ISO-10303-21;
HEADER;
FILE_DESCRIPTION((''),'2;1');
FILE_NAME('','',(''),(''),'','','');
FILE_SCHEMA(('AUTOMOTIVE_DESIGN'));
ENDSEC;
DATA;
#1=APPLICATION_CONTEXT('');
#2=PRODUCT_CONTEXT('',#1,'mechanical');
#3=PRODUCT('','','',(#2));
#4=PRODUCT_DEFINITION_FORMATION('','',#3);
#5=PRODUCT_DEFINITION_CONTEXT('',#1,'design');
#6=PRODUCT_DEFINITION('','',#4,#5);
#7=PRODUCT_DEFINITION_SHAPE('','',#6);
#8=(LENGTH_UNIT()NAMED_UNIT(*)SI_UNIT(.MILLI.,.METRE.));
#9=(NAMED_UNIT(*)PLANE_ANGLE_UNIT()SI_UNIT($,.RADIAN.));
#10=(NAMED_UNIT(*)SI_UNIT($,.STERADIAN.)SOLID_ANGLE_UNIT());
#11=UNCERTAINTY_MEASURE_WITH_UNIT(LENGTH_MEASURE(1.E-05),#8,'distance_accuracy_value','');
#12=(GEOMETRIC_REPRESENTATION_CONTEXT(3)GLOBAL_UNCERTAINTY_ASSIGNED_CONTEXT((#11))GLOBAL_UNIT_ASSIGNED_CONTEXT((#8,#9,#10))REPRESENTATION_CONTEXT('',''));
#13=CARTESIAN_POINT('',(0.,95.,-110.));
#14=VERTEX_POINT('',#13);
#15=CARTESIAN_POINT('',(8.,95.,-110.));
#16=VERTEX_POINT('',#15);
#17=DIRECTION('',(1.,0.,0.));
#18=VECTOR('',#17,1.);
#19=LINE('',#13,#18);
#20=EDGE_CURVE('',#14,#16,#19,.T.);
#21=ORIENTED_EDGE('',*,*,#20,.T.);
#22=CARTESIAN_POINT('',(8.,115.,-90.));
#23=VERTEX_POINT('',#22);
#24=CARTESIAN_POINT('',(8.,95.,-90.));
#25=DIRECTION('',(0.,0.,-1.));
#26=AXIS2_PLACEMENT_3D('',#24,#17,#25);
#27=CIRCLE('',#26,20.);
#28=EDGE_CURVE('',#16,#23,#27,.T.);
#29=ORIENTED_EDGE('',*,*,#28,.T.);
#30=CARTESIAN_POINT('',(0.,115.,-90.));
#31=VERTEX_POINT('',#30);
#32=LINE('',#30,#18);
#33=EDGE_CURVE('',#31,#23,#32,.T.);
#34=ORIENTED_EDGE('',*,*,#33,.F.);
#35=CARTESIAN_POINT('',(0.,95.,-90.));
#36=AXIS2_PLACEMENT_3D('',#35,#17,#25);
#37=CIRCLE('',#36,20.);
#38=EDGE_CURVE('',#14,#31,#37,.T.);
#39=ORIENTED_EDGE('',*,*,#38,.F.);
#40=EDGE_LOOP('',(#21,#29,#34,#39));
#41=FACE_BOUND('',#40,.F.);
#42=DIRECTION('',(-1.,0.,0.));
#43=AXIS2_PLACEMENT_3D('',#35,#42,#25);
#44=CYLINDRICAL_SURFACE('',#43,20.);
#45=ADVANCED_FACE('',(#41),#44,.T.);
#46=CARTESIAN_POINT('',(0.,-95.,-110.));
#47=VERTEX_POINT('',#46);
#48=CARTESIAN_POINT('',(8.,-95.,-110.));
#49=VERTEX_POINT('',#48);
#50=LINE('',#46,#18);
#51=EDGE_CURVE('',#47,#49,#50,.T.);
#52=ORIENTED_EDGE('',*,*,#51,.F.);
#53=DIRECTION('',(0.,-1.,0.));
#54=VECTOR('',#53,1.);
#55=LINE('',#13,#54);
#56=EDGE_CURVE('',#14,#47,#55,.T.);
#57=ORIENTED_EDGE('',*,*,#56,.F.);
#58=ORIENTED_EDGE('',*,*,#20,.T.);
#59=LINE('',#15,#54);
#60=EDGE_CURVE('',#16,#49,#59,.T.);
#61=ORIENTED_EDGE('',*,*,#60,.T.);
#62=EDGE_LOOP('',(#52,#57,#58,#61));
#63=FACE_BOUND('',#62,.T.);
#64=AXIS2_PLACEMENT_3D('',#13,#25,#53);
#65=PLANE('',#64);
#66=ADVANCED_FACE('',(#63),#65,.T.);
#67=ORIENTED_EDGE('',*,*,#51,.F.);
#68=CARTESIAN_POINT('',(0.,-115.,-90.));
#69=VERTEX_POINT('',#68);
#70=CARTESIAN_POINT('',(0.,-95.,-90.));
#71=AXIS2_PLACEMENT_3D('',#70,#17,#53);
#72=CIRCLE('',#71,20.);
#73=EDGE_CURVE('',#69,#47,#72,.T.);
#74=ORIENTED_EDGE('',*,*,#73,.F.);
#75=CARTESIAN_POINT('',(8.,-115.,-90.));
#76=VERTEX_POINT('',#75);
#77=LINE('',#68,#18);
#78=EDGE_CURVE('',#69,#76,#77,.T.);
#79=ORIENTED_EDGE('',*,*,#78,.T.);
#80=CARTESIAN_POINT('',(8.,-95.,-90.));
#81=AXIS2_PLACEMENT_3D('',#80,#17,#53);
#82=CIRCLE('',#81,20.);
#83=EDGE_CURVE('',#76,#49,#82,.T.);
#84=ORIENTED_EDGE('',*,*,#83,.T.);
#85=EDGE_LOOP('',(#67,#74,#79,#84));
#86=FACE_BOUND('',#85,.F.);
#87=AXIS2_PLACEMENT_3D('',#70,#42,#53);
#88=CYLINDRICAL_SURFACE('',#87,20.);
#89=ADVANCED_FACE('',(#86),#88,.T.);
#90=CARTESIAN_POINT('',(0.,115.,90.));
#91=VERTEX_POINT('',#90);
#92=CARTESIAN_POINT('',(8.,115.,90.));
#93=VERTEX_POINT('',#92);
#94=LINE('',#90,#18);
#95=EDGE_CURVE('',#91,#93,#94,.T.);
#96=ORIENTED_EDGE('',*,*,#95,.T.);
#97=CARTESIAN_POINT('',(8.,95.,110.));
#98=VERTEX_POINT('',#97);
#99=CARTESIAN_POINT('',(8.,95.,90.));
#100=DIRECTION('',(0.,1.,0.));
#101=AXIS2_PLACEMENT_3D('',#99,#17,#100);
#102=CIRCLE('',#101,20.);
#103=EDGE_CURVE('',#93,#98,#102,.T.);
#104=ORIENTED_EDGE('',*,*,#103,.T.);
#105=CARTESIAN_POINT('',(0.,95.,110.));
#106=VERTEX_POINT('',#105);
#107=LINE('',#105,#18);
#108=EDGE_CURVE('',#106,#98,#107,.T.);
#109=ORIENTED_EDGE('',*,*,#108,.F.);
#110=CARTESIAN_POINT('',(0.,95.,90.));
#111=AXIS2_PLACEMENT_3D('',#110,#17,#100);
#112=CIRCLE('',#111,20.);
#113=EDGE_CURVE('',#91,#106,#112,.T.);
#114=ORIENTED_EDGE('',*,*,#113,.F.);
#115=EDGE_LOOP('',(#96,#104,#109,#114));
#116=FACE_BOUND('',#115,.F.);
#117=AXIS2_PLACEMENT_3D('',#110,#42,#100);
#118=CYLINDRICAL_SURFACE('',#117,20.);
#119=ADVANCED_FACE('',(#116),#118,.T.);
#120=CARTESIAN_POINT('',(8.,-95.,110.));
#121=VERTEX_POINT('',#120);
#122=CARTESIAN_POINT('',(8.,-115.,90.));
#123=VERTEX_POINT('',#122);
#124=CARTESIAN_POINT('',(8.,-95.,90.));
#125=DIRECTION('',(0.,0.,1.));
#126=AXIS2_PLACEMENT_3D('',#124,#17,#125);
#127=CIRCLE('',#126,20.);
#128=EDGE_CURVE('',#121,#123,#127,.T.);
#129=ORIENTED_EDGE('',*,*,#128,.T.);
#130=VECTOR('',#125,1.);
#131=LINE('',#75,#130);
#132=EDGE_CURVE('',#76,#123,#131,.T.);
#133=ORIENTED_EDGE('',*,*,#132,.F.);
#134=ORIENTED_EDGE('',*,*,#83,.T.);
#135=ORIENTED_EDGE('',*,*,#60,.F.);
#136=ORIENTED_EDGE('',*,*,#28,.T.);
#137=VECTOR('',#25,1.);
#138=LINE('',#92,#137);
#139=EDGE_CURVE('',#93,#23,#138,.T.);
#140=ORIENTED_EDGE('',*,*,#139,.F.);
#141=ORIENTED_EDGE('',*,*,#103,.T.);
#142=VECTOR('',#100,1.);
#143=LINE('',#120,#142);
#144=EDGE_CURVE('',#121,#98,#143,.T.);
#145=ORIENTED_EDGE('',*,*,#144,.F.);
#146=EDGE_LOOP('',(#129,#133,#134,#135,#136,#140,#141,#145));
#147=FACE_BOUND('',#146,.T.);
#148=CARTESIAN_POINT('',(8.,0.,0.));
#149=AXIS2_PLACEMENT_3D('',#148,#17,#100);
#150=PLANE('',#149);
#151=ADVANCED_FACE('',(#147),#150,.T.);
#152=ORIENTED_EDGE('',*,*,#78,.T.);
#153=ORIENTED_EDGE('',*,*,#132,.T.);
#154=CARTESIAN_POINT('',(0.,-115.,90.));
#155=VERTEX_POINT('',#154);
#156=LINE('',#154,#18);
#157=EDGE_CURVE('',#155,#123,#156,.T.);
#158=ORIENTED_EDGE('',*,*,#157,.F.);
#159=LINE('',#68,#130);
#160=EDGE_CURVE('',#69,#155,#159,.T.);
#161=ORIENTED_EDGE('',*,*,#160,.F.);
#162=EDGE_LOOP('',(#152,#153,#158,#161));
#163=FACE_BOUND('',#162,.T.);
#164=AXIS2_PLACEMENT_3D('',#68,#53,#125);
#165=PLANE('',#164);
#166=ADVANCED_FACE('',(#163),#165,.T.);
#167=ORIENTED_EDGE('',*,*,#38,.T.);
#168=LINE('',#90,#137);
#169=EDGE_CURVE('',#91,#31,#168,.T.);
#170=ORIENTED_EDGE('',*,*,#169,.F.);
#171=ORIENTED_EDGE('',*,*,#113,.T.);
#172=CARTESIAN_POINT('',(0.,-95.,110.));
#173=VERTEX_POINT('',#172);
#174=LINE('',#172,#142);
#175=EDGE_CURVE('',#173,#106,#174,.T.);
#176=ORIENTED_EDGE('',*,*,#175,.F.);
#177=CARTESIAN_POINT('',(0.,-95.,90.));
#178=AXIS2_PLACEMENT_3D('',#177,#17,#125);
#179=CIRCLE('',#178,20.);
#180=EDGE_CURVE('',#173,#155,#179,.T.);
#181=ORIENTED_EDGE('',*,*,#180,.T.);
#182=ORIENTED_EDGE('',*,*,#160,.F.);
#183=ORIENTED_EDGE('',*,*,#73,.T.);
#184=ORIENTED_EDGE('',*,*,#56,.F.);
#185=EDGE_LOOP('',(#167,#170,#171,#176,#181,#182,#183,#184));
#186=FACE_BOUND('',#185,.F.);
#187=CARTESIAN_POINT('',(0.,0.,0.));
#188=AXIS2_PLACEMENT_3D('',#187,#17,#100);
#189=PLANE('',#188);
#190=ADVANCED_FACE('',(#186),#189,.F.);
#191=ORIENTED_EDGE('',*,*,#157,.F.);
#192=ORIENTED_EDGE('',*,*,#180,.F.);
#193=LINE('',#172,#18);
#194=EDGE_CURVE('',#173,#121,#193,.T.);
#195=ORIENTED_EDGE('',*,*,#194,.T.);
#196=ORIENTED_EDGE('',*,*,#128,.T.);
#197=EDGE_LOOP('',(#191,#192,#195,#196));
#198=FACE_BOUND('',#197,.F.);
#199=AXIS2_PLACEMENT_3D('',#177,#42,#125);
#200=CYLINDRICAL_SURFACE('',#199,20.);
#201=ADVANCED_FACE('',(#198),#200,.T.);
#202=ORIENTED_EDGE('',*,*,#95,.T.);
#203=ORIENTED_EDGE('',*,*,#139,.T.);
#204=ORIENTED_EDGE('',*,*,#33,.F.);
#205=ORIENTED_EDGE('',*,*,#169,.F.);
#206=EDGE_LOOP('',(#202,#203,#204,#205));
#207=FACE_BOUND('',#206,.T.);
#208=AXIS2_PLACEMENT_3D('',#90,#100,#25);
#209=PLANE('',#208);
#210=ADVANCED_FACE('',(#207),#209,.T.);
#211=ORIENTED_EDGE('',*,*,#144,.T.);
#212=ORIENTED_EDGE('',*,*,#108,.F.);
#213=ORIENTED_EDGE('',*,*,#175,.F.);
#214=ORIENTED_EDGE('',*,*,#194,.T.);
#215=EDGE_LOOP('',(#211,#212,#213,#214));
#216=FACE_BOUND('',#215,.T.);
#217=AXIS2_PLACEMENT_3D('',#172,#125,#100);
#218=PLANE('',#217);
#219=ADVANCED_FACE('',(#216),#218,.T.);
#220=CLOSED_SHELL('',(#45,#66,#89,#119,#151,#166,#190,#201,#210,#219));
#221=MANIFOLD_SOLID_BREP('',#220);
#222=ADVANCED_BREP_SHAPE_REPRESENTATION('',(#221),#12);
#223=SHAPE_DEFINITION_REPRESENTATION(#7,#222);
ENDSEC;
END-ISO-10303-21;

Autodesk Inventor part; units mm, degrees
ref_plane "YZ Plane" through (0, 0, 0) normal (1, 0, 0) x (0, 1, 0)
ref_plane "XZ Plane" through (0, 0, 0) normal (0, 1, 0) x (-1, 0, 0)
ref_plane "XY Plane" through (0, 0, 0) normal (0, 0, 1) x (1, 0, 0)
sketch "Sketch1" plane through (0, 0, 0) normal (1, 0, 0) x (0, 1, 0)
  line L0 (-95, 110) -> (95, 110)
  line L1 (115, 90) -> (115, -90)
  line L2 (95, -110) -> (-95, -110)
  line L3 (-115, -90) -> (-115, 90)
  line L4 (-115, 110) -> (115, -110) construction
  line L5 (115, 110) -> (-115, -110) construction
  arc A0 (115, 90) -> (95, 110) centre (95, 90) ccw
  arc A1 (95, -110) -> (115, -90) centre (95, -90) ccw
  arc A2 (-115, -90) -> (-95, -110) centre (-95, -90) ccw
  arc A3 (-95, 110) -> (-115, 90) centre (-95, 90) ccw
  point P0 (0, 0)
  dimension "d0" = 220
  dimension "d1" = 230
  dimension "d2" = 20
extrude "Extrusion1" add sketch "Sketch1" along normal blind 8
properties part number "VIDRIO2" material "Glass"
